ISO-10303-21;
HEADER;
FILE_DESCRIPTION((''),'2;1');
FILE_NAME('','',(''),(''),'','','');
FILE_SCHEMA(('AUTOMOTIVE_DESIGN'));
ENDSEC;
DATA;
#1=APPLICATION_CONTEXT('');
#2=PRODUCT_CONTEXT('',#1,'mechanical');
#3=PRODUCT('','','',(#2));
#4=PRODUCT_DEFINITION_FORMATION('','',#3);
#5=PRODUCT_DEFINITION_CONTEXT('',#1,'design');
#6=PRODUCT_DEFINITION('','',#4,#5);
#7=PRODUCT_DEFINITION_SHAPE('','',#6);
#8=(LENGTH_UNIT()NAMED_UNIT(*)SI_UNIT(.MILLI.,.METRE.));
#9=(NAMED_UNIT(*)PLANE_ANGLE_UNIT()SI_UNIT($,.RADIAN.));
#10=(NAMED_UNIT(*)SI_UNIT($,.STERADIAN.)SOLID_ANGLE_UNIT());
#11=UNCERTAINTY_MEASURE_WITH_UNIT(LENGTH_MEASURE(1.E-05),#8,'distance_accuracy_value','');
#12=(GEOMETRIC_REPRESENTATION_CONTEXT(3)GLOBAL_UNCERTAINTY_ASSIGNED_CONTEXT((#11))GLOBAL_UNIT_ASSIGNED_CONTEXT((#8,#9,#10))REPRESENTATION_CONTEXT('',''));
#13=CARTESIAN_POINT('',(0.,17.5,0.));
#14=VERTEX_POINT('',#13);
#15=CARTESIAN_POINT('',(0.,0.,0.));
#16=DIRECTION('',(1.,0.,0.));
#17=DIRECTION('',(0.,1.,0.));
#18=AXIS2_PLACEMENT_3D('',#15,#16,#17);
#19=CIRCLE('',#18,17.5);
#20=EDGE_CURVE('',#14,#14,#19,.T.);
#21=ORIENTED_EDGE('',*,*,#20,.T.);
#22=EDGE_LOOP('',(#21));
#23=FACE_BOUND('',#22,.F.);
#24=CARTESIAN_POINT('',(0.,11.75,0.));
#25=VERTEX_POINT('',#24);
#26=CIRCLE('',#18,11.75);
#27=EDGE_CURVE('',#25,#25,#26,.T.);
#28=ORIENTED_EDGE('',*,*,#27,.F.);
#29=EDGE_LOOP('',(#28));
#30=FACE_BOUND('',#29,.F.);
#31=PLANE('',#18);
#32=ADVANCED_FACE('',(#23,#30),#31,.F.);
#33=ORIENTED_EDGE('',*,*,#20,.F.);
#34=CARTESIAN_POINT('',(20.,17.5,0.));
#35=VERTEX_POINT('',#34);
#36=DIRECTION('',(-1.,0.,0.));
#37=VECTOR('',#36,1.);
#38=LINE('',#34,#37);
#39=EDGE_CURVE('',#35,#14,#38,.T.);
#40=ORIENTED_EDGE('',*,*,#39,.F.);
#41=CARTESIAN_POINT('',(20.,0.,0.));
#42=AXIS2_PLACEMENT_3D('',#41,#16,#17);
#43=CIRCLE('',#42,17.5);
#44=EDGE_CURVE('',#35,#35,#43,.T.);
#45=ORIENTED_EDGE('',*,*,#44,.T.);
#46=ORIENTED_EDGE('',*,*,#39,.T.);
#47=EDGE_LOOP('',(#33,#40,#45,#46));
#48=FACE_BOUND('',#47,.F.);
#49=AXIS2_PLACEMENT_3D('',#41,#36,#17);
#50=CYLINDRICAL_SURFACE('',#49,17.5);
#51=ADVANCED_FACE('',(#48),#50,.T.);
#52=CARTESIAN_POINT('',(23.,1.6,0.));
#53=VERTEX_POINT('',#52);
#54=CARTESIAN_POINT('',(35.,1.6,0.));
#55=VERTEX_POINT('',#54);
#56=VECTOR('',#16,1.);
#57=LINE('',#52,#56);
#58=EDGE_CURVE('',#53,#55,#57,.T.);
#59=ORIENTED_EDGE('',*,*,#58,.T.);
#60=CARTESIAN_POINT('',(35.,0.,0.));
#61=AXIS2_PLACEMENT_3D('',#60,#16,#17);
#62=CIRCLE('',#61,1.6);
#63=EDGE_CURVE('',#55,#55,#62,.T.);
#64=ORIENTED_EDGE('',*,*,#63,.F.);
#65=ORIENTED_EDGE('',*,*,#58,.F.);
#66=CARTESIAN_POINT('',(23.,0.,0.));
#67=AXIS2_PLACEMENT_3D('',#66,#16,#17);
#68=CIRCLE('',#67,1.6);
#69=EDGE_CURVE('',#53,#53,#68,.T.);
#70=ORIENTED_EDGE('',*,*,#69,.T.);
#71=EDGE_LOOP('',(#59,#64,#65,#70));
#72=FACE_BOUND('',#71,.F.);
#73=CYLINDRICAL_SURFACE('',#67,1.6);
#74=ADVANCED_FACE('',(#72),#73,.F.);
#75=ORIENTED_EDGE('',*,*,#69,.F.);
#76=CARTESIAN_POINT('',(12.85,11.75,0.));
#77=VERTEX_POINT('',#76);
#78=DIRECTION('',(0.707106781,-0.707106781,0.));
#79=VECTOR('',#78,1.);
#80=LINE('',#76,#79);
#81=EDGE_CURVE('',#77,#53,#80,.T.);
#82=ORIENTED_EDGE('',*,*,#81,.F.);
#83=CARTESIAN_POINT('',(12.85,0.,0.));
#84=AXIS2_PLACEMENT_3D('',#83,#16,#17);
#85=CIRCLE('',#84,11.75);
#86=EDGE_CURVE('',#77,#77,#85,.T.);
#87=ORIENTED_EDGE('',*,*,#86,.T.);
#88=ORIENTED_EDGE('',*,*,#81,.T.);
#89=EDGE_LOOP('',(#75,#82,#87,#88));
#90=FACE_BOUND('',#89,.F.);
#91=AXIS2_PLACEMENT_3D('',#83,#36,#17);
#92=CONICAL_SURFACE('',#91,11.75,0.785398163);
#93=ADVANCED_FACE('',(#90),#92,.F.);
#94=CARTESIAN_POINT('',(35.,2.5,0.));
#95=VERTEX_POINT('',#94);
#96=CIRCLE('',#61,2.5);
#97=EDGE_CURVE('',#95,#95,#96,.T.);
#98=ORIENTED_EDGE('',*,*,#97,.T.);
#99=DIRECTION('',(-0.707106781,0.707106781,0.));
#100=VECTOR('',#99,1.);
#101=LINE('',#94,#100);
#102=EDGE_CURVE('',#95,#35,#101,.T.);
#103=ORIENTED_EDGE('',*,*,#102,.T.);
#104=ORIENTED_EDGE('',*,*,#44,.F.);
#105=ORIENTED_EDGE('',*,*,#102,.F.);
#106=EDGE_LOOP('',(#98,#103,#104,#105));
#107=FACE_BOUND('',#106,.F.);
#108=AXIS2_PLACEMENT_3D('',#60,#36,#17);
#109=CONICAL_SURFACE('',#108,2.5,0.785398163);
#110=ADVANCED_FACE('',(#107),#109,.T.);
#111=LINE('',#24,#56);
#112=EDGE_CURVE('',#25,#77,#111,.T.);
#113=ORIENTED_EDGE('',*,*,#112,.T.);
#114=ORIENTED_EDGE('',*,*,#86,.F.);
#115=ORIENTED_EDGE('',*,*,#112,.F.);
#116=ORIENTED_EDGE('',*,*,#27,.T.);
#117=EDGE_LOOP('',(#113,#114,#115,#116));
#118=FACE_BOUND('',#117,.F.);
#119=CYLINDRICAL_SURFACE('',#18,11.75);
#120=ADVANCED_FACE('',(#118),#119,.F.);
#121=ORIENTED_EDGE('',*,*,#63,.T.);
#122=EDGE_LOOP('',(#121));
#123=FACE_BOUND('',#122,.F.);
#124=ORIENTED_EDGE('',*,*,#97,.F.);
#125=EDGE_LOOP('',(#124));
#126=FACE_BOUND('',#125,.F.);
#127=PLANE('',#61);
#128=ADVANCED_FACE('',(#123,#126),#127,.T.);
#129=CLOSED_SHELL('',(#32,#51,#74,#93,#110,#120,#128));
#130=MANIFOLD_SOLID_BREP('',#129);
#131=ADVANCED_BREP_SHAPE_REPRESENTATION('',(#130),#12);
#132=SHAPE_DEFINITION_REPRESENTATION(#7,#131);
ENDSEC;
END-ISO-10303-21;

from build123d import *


with BuildPart() as part:
    # Sketch1 → Revolve1 (revolve)
    with BuildSketch(Plane.XY):
        Polygon((35, 1.6), (35, 2.5), (20, 17.5), (0, 17.5), (0, 11.75), (12.85, 11.75), (23, 1.6), align=None)
    revolve(axis=Axis((-79.434030099, 0, 0), (1, 0, 0)))


solid = part.part
